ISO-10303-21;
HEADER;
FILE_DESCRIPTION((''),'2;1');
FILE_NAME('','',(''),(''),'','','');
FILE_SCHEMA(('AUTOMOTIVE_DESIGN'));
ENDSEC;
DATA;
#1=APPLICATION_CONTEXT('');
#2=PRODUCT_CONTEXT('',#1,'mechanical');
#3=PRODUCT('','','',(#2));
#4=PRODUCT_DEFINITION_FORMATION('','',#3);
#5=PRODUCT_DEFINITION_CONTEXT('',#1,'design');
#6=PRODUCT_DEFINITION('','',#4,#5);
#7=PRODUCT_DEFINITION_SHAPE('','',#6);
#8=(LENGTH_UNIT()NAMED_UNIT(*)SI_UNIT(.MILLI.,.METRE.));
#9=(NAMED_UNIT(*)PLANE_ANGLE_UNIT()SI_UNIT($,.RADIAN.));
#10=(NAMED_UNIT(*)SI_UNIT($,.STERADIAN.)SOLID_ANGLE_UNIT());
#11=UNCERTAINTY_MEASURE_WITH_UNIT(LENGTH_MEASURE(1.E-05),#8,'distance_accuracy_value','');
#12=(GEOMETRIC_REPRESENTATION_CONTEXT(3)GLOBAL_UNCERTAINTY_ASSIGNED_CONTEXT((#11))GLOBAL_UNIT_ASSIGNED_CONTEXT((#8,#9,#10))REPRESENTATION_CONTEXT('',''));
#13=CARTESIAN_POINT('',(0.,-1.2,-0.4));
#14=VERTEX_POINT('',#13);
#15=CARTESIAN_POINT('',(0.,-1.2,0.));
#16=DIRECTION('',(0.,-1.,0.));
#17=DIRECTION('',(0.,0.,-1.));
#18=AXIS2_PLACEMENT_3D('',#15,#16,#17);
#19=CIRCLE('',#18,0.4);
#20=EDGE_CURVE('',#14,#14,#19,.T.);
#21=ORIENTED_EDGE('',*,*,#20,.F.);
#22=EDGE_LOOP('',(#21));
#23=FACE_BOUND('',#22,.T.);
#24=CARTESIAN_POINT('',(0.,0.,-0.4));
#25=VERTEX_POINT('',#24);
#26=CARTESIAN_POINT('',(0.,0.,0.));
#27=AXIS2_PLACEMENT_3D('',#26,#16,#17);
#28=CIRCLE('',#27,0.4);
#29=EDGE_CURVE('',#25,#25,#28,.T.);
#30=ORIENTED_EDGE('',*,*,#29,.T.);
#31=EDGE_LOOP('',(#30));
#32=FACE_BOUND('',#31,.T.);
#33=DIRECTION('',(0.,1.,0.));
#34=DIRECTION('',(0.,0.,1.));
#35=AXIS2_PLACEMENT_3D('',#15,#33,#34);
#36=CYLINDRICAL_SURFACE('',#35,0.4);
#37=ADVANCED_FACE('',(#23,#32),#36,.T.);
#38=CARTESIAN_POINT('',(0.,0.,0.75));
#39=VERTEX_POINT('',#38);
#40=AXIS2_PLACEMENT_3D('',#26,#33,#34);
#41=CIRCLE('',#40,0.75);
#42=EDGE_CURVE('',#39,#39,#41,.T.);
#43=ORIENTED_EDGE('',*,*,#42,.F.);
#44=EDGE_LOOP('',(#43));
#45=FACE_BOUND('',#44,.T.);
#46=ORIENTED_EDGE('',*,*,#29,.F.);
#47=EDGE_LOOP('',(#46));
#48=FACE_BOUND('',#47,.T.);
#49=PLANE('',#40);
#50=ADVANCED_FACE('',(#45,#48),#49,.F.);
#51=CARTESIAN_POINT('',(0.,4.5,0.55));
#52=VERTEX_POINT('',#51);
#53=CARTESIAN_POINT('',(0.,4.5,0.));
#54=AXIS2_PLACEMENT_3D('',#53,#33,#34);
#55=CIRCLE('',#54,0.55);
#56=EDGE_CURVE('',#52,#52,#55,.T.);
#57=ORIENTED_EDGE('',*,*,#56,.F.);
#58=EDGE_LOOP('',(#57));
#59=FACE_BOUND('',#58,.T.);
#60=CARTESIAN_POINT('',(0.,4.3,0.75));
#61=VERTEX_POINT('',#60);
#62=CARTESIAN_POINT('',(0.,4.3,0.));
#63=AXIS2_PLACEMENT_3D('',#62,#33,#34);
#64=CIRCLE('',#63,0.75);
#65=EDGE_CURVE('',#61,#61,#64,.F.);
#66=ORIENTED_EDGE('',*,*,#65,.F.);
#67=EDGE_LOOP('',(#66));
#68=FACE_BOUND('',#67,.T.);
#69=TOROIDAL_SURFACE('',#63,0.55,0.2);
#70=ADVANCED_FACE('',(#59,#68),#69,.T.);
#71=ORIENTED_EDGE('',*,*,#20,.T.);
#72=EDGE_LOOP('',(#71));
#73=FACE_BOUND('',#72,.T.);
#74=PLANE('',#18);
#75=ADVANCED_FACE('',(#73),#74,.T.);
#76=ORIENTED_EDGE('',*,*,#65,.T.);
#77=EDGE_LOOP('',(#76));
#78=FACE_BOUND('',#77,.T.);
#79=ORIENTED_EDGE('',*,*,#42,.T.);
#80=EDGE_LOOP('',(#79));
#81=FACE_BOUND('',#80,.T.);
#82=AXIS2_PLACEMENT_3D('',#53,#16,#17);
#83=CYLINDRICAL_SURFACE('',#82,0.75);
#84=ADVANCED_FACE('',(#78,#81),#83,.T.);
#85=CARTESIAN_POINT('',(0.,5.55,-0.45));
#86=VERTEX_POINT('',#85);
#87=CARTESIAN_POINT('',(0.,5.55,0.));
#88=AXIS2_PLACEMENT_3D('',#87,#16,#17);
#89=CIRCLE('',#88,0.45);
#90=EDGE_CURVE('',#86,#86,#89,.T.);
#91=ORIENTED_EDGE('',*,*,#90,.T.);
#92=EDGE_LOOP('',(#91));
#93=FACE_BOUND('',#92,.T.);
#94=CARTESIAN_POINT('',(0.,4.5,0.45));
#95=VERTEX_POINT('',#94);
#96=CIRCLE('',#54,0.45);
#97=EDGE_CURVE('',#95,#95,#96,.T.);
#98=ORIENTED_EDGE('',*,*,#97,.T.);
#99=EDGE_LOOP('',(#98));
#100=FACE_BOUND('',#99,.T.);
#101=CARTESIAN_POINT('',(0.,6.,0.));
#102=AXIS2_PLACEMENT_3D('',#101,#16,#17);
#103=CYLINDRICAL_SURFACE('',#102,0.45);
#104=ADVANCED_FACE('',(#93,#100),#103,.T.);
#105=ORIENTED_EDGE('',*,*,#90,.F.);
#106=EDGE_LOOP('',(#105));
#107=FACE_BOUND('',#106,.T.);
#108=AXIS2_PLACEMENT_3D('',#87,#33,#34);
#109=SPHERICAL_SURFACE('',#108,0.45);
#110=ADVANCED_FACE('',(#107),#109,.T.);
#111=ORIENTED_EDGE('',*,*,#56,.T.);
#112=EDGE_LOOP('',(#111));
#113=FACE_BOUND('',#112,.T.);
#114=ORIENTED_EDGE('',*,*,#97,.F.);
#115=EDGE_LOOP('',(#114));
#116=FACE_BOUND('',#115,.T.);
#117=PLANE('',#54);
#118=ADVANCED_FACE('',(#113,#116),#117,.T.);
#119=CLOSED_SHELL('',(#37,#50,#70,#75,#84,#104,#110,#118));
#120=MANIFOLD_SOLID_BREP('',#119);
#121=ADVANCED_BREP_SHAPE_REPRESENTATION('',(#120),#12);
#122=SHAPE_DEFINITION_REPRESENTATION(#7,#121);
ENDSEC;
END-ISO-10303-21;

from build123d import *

# Parameters (mm, degrees)
SKETCH_1_R      = 0.75
EXTRUDE_1_DEPTH = 4.5
SKETCH_2_R      = 0.45
EXTRUDE_2_DEPTH = 1.5
SKETCH_3_R      = 0.4
EXTRUDE_3_DEPTH = 1.2
FILLET_1_R      = 0.2
FILLET_2_R      = 0.45


with BuildPart() as part:
    # 草图1 → 凸台-拉伸1 (new body)
    with BuildSketch(Plane(origin=(0, 0, 0), x_dir=(1, 0, 0), z_dir=(0, 1, 0))):
        with Locations(Location((0, 0, 0), (0, 0, 270))):
            Circle(SKETCH_1_R)
    extrude(amount=EXTRUDE_1_DEPTH)

    # 草图2 → 凸台-拉伸2 (add)
    with BuildSketch(Plane(origin=(0, 4.5, 0), x_dir=(1, 0, 0), z_dir=(0, 1, 0))):
        with Locations(Location((0, 0, 0), (0, 0, 270))):
            Circle(SKETCH_2_R)
    extrude(amount=EXTRUDE_2_DEPTH)

    # 草图3 → 凸台-拉伸3 (add)
    with BuildSketch(Plane.XZ):
        with Locations(Location((0, 0, 0), (0, 0, 270))):
            Circle(SKETCH_3_R)
    extrude(amount=EXTRUDE_3_DEPTH)

    # 圆角1
    fillet_1_edges = [part.edges().sort_by_distance(p)[0] for p in [
        (0, 4.5, -0.75),
    ]]
    fillet(fillet_1_edges, radius=FILLET_1_R)

    # 圆角2
    fillet_2_edges = [part.edges().sort_by_distance(p)[0] for p in [
        (0, 6, -0.45),
    ]]
    fillet(fillet_2_edges, radius=FILLET_2_R)


solid = part.part
